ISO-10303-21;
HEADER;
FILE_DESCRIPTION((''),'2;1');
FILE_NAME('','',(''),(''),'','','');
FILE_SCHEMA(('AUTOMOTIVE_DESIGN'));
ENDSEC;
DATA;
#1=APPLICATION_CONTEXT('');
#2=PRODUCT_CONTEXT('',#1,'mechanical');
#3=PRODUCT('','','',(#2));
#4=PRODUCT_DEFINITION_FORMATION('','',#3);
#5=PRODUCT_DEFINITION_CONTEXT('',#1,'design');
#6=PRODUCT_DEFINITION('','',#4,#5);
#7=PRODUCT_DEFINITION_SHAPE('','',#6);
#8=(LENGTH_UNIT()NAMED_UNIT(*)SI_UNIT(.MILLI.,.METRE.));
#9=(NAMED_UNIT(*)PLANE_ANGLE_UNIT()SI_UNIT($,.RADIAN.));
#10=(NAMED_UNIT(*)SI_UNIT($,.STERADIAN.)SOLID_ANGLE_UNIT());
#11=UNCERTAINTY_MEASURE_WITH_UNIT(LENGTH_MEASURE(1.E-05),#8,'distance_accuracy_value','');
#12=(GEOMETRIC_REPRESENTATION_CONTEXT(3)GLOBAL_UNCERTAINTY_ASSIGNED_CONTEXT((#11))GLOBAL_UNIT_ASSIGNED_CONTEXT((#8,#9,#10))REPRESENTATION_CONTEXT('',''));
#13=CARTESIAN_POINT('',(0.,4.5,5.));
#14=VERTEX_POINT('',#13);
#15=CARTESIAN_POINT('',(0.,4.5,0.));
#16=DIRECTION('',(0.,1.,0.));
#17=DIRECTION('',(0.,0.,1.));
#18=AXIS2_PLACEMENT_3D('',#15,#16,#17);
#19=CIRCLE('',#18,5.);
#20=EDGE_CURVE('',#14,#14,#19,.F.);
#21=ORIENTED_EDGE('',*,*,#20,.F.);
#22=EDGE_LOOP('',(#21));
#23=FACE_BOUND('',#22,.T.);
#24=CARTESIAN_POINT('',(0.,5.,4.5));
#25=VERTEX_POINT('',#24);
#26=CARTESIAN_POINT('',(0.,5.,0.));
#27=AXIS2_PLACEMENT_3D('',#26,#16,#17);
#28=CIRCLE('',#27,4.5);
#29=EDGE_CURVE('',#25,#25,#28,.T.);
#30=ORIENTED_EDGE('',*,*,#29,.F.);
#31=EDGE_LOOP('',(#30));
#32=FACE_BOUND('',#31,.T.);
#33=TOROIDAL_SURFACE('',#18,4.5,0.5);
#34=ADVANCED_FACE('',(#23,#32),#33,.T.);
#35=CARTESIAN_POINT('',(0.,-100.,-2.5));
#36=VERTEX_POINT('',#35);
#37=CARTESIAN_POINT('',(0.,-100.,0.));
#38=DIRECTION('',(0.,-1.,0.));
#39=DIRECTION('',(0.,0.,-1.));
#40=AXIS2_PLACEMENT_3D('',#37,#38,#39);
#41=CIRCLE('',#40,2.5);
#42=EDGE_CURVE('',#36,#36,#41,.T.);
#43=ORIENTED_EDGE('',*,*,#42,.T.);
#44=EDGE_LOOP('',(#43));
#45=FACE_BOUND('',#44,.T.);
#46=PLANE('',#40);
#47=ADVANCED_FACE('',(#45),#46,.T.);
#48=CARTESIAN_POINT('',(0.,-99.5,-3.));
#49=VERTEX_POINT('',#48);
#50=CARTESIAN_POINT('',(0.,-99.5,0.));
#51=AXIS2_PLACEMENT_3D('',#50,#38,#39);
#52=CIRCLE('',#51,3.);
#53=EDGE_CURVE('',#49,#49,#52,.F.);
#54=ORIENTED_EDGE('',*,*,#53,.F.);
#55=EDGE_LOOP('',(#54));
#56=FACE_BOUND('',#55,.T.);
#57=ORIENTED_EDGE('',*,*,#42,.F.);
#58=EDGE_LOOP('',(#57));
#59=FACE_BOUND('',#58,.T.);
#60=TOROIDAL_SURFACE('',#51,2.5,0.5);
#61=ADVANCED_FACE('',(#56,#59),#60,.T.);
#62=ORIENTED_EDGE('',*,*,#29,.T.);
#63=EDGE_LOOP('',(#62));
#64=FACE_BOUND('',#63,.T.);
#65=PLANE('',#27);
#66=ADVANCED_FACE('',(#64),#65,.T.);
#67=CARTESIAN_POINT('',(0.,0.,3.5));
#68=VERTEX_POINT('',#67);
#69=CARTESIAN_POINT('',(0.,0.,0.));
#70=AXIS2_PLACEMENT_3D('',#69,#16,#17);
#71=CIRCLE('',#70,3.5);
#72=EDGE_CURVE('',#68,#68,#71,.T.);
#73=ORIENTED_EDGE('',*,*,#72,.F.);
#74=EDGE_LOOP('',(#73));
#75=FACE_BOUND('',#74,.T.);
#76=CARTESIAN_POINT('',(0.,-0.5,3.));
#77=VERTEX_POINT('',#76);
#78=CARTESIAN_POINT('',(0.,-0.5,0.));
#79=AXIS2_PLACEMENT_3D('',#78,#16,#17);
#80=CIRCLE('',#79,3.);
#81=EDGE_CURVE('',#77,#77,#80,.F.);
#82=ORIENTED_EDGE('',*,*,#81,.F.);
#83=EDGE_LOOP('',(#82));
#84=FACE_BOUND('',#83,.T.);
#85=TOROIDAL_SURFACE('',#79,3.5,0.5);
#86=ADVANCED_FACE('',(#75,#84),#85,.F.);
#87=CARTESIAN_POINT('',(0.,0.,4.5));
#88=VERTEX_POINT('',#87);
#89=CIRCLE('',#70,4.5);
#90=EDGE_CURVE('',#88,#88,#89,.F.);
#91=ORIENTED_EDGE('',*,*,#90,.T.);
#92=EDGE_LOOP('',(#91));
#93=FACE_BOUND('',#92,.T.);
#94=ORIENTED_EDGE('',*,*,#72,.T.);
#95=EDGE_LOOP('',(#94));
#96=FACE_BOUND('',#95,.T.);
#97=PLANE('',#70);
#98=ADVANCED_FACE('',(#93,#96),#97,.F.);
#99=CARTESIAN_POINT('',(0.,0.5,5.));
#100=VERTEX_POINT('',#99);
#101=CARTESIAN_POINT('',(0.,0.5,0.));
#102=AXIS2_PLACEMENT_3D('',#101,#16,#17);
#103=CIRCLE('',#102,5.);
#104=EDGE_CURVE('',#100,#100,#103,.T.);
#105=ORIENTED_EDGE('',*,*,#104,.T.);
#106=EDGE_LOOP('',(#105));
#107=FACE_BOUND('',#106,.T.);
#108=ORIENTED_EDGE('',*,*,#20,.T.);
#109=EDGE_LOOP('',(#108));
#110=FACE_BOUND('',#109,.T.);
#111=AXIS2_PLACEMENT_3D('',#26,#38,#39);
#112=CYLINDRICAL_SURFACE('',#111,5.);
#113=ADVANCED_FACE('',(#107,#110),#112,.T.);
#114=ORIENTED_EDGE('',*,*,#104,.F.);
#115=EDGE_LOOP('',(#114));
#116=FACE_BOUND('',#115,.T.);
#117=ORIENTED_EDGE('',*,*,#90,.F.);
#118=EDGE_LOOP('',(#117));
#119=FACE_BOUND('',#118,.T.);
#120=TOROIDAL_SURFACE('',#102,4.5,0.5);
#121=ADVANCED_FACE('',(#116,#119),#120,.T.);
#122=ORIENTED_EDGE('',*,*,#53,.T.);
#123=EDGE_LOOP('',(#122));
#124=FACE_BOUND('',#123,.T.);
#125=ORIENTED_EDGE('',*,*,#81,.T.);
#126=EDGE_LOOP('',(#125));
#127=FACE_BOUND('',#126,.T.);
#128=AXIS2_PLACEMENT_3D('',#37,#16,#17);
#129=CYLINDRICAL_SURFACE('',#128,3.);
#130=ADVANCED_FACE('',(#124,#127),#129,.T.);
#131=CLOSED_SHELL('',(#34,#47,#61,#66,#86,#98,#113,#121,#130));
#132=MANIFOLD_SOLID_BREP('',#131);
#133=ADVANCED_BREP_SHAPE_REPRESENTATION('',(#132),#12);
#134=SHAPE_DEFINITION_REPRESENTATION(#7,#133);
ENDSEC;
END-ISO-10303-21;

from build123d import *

# Parameters (mm, degrees)
SKETCH_1_R      = 5
EXTRUDE_1_DEPTH = 5
SKETCH_2_R      = 3
EXTRUDE_2_DEPTH = 100
FILLET_1_R      = 0.5


with BuildPart() as part:
    # 草圖1 → 伸長1 (new body)
    with BuildSketch(Plane(origin=(0, 0, 0), x_dir=(1, 0, 0), z_dir=(0, 1, 0))):
        with Locations(Location((0, 0, 0), (0, 0, 270))):
            Circle(SKETCH_1_R)
    extrude(amount=EXTRUDE_1_DEPTH)

    # 草圖2 → 伸長2 (add)
    with BuildSketch(Plane.XZ):
        with Locations(Location((0, 0, 0), (0, 0, 90))):
            Circle(SKETCH_2_R)
    extrude(amount=EXTRUDE_2_DEPTH)

    # 圓角1
    fillet_1_edges = [part.edges().sort_by_distance(p)[0] for p in [
        (0, 0, -5),
        (0, 5, -5),
        (0, 0, -3),
        (0, -100, -3),
    ]]
    fillet(fillet_1_edges, radius=FILLET_1_R)


solid = part.part
